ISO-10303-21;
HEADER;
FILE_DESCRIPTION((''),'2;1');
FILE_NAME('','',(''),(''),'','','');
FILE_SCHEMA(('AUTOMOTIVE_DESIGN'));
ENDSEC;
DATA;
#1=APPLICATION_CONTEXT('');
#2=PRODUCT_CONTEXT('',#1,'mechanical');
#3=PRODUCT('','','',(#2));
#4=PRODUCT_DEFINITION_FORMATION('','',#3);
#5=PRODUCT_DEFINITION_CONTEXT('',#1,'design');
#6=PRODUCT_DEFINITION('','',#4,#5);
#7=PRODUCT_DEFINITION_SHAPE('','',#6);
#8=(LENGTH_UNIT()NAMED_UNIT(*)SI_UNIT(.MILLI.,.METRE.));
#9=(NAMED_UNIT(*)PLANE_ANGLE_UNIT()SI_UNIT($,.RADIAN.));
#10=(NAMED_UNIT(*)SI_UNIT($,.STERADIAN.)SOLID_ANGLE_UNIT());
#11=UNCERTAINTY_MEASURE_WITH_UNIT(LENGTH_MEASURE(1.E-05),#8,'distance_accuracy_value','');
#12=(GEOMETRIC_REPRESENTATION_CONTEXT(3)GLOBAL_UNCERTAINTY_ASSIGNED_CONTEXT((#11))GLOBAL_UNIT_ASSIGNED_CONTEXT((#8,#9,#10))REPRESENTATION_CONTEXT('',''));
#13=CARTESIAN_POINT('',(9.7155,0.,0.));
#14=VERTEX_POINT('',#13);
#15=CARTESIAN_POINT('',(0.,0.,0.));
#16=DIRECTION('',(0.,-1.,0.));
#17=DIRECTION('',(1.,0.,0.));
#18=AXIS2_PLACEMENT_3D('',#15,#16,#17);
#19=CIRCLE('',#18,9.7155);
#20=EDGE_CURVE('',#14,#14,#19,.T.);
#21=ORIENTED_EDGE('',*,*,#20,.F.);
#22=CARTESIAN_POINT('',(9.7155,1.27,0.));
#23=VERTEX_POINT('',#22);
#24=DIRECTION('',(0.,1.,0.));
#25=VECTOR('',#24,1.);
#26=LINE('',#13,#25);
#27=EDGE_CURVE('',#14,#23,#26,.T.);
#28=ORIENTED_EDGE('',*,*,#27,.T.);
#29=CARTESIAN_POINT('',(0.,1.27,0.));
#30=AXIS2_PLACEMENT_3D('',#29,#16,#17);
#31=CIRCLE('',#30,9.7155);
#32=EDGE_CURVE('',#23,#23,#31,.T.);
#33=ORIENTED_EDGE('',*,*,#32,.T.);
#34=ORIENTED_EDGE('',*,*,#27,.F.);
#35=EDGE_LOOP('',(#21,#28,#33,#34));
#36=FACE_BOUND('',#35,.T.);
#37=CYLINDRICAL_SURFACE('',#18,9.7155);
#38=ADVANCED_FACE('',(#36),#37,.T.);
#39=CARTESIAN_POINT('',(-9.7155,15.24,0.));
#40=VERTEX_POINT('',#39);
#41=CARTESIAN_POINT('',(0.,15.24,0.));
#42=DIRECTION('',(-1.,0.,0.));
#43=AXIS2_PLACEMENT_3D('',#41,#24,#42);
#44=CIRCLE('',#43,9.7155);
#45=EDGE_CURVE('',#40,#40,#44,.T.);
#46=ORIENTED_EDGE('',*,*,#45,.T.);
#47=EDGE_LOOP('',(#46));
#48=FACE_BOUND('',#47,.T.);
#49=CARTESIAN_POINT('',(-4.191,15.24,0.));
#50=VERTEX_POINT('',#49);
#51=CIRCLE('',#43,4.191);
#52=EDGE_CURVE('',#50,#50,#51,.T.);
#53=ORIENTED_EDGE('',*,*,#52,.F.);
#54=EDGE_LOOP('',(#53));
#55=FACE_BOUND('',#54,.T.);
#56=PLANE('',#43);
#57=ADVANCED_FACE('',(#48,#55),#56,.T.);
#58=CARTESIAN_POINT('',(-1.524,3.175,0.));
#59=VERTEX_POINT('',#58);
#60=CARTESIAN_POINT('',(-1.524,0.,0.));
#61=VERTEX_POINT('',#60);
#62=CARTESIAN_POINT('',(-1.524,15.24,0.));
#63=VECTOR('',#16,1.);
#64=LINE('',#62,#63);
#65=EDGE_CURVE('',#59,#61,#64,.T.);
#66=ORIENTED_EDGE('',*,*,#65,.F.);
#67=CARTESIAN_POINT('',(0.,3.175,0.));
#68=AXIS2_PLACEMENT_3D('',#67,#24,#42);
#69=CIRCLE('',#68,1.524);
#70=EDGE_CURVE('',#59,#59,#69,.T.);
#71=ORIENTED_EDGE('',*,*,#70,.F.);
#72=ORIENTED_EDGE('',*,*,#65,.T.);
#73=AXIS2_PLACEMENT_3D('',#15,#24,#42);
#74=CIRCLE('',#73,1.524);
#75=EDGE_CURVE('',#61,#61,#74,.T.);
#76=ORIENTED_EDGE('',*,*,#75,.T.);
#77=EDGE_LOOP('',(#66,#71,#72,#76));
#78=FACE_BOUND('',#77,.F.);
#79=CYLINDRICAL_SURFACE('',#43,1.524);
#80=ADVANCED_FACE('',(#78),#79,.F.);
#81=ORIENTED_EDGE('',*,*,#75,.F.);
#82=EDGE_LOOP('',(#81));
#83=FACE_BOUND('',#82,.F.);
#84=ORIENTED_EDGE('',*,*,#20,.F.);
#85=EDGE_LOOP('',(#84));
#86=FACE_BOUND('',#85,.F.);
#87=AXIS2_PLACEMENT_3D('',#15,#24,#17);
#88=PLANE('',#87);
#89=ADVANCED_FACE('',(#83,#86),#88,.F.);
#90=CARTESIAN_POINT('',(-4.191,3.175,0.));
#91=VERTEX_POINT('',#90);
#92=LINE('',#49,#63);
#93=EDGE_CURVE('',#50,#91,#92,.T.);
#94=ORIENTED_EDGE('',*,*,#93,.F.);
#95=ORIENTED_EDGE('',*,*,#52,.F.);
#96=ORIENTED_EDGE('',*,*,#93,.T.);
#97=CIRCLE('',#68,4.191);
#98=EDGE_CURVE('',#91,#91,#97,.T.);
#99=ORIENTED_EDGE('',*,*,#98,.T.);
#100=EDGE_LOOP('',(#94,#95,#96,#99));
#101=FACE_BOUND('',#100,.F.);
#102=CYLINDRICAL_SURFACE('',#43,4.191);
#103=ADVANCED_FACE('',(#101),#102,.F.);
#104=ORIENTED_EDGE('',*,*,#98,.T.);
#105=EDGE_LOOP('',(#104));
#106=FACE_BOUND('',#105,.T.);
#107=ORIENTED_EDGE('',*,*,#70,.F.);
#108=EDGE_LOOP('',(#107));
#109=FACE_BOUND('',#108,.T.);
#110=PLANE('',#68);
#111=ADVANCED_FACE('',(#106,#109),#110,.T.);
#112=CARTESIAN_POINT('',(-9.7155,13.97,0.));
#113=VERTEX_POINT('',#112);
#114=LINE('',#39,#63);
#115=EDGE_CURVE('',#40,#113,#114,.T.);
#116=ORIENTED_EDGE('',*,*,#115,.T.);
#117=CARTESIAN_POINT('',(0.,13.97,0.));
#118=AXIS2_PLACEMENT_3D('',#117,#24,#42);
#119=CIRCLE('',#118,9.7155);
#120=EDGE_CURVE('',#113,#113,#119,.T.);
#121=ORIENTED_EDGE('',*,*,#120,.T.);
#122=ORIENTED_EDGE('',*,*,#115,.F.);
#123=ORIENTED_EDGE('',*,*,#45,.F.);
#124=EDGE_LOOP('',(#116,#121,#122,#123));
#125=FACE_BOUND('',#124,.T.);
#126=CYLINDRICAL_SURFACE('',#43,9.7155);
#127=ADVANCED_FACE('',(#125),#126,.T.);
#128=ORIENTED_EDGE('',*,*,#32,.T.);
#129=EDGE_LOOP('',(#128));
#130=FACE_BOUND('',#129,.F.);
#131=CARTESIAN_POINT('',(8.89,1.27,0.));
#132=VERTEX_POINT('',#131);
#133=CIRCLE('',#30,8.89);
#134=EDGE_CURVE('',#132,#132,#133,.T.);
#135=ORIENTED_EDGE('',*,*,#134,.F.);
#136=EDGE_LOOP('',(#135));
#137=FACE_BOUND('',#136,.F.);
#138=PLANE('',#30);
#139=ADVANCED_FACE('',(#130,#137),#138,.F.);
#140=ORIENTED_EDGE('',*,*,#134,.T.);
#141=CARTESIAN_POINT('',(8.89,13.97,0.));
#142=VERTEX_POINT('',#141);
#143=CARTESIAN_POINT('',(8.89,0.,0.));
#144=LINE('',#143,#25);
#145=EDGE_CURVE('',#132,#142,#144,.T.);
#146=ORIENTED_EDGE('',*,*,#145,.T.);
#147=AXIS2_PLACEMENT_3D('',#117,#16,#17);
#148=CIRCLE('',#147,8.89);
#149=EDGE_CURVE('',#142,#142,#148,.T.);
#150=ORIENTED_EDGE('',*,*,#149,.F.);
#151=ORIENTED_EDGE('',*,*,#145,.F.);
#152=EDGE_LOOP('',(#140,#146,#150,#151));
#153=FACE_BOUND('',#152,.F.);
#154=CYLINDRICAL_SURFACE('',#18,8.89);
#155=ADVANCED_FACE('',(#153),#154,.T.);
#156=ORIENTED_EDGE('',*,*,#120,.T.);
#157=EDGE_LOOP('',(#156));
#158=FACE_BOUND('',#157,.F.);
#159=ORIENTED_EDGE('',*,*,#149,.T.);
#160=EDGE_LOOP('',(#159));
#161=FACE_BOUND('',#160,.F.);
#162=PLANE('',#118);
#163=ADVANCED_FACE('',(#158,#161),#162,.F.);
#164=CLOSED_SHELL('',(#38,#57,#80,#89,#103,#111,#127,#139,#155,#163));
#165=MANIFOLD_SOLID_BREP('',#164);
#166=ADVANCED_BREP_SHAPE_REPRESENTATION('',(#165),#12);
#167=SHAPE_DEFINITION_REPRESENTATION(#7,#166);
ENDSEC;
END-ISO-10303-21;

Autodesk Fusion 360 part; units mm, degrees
sketch "Hub" plane through (0, 0, 0) normal (0, 1, 0) x (1, 0, 0)
  circle A0 centre (0, 0) radius 8.89
  dimension "d8" = 17.78
extrude "Extrude1" add sketch "Hub" along normal blind 15.24
sketch "Inner Cap" plane through (0, 0, 0) normal (0, -1, 0) x (1, 0, 0)
  circle A0 centre (0, 0) radius 8.89
  circle A1 centre (0, 0) radius 9.7155
  dimension "d11" = 19.431
extrude "Extrude2" add sketch "Inner Cap" against normal blind 1.27 contours A0 | A1
sketch "Outer Cap" plane through (0, 15.24, 0) normal (0, 1, 0) x (-1, 0, 0)
  circle A0 centre (0, 0) radius 8.89
  circle A1 centre (0, 0) radius 9.7155
  circle A2 centre (0, 0) radius 9.7155
  circle A3 centre (0, 0) radius 9.7155
extrude "Extrude3" add sketch "Outer Cap" against normal blind 1.27 contours A0 | A1 A2 A3
sketch "Bore" plane through (0, 15.24, 0) normal (0, 1, 0) x (-1, 0, 0)
  circle A0 centre (0, 0) radius 9.7155
  circle A1 centre (0, 0) radius 4.191
  dimension "d16" = 8.382
extrude "Extrude4" cut sketch "Bore" against normal blind 12.065 contours A1
sketch "Screw Hole" plane through (0, 15.24, 0) normal (0, 1, 0) x (-1, 0, 0)
  circle A0 centre (0, 0) radius 1.524
  dimension "d19" = 3.048
extrude "Extrude5" cut sketch "Screw Hole" against normal blind 72.644
equation "hubDia = 0.7 in"
equation "boreDia = 0.33 in"
equation "boreDepth = 0.475 in"
equation "screwHole = 0.12 in"
equation "capEndDia = 0.765 in"
equation "capThickness = 0.05 in"
equation "d8 = hubDia"
equation "d11 = capEndDia"
equation "d16 = boreDia"
equation "d17 = -boreDepth"
equation "d19 = screwHole"
